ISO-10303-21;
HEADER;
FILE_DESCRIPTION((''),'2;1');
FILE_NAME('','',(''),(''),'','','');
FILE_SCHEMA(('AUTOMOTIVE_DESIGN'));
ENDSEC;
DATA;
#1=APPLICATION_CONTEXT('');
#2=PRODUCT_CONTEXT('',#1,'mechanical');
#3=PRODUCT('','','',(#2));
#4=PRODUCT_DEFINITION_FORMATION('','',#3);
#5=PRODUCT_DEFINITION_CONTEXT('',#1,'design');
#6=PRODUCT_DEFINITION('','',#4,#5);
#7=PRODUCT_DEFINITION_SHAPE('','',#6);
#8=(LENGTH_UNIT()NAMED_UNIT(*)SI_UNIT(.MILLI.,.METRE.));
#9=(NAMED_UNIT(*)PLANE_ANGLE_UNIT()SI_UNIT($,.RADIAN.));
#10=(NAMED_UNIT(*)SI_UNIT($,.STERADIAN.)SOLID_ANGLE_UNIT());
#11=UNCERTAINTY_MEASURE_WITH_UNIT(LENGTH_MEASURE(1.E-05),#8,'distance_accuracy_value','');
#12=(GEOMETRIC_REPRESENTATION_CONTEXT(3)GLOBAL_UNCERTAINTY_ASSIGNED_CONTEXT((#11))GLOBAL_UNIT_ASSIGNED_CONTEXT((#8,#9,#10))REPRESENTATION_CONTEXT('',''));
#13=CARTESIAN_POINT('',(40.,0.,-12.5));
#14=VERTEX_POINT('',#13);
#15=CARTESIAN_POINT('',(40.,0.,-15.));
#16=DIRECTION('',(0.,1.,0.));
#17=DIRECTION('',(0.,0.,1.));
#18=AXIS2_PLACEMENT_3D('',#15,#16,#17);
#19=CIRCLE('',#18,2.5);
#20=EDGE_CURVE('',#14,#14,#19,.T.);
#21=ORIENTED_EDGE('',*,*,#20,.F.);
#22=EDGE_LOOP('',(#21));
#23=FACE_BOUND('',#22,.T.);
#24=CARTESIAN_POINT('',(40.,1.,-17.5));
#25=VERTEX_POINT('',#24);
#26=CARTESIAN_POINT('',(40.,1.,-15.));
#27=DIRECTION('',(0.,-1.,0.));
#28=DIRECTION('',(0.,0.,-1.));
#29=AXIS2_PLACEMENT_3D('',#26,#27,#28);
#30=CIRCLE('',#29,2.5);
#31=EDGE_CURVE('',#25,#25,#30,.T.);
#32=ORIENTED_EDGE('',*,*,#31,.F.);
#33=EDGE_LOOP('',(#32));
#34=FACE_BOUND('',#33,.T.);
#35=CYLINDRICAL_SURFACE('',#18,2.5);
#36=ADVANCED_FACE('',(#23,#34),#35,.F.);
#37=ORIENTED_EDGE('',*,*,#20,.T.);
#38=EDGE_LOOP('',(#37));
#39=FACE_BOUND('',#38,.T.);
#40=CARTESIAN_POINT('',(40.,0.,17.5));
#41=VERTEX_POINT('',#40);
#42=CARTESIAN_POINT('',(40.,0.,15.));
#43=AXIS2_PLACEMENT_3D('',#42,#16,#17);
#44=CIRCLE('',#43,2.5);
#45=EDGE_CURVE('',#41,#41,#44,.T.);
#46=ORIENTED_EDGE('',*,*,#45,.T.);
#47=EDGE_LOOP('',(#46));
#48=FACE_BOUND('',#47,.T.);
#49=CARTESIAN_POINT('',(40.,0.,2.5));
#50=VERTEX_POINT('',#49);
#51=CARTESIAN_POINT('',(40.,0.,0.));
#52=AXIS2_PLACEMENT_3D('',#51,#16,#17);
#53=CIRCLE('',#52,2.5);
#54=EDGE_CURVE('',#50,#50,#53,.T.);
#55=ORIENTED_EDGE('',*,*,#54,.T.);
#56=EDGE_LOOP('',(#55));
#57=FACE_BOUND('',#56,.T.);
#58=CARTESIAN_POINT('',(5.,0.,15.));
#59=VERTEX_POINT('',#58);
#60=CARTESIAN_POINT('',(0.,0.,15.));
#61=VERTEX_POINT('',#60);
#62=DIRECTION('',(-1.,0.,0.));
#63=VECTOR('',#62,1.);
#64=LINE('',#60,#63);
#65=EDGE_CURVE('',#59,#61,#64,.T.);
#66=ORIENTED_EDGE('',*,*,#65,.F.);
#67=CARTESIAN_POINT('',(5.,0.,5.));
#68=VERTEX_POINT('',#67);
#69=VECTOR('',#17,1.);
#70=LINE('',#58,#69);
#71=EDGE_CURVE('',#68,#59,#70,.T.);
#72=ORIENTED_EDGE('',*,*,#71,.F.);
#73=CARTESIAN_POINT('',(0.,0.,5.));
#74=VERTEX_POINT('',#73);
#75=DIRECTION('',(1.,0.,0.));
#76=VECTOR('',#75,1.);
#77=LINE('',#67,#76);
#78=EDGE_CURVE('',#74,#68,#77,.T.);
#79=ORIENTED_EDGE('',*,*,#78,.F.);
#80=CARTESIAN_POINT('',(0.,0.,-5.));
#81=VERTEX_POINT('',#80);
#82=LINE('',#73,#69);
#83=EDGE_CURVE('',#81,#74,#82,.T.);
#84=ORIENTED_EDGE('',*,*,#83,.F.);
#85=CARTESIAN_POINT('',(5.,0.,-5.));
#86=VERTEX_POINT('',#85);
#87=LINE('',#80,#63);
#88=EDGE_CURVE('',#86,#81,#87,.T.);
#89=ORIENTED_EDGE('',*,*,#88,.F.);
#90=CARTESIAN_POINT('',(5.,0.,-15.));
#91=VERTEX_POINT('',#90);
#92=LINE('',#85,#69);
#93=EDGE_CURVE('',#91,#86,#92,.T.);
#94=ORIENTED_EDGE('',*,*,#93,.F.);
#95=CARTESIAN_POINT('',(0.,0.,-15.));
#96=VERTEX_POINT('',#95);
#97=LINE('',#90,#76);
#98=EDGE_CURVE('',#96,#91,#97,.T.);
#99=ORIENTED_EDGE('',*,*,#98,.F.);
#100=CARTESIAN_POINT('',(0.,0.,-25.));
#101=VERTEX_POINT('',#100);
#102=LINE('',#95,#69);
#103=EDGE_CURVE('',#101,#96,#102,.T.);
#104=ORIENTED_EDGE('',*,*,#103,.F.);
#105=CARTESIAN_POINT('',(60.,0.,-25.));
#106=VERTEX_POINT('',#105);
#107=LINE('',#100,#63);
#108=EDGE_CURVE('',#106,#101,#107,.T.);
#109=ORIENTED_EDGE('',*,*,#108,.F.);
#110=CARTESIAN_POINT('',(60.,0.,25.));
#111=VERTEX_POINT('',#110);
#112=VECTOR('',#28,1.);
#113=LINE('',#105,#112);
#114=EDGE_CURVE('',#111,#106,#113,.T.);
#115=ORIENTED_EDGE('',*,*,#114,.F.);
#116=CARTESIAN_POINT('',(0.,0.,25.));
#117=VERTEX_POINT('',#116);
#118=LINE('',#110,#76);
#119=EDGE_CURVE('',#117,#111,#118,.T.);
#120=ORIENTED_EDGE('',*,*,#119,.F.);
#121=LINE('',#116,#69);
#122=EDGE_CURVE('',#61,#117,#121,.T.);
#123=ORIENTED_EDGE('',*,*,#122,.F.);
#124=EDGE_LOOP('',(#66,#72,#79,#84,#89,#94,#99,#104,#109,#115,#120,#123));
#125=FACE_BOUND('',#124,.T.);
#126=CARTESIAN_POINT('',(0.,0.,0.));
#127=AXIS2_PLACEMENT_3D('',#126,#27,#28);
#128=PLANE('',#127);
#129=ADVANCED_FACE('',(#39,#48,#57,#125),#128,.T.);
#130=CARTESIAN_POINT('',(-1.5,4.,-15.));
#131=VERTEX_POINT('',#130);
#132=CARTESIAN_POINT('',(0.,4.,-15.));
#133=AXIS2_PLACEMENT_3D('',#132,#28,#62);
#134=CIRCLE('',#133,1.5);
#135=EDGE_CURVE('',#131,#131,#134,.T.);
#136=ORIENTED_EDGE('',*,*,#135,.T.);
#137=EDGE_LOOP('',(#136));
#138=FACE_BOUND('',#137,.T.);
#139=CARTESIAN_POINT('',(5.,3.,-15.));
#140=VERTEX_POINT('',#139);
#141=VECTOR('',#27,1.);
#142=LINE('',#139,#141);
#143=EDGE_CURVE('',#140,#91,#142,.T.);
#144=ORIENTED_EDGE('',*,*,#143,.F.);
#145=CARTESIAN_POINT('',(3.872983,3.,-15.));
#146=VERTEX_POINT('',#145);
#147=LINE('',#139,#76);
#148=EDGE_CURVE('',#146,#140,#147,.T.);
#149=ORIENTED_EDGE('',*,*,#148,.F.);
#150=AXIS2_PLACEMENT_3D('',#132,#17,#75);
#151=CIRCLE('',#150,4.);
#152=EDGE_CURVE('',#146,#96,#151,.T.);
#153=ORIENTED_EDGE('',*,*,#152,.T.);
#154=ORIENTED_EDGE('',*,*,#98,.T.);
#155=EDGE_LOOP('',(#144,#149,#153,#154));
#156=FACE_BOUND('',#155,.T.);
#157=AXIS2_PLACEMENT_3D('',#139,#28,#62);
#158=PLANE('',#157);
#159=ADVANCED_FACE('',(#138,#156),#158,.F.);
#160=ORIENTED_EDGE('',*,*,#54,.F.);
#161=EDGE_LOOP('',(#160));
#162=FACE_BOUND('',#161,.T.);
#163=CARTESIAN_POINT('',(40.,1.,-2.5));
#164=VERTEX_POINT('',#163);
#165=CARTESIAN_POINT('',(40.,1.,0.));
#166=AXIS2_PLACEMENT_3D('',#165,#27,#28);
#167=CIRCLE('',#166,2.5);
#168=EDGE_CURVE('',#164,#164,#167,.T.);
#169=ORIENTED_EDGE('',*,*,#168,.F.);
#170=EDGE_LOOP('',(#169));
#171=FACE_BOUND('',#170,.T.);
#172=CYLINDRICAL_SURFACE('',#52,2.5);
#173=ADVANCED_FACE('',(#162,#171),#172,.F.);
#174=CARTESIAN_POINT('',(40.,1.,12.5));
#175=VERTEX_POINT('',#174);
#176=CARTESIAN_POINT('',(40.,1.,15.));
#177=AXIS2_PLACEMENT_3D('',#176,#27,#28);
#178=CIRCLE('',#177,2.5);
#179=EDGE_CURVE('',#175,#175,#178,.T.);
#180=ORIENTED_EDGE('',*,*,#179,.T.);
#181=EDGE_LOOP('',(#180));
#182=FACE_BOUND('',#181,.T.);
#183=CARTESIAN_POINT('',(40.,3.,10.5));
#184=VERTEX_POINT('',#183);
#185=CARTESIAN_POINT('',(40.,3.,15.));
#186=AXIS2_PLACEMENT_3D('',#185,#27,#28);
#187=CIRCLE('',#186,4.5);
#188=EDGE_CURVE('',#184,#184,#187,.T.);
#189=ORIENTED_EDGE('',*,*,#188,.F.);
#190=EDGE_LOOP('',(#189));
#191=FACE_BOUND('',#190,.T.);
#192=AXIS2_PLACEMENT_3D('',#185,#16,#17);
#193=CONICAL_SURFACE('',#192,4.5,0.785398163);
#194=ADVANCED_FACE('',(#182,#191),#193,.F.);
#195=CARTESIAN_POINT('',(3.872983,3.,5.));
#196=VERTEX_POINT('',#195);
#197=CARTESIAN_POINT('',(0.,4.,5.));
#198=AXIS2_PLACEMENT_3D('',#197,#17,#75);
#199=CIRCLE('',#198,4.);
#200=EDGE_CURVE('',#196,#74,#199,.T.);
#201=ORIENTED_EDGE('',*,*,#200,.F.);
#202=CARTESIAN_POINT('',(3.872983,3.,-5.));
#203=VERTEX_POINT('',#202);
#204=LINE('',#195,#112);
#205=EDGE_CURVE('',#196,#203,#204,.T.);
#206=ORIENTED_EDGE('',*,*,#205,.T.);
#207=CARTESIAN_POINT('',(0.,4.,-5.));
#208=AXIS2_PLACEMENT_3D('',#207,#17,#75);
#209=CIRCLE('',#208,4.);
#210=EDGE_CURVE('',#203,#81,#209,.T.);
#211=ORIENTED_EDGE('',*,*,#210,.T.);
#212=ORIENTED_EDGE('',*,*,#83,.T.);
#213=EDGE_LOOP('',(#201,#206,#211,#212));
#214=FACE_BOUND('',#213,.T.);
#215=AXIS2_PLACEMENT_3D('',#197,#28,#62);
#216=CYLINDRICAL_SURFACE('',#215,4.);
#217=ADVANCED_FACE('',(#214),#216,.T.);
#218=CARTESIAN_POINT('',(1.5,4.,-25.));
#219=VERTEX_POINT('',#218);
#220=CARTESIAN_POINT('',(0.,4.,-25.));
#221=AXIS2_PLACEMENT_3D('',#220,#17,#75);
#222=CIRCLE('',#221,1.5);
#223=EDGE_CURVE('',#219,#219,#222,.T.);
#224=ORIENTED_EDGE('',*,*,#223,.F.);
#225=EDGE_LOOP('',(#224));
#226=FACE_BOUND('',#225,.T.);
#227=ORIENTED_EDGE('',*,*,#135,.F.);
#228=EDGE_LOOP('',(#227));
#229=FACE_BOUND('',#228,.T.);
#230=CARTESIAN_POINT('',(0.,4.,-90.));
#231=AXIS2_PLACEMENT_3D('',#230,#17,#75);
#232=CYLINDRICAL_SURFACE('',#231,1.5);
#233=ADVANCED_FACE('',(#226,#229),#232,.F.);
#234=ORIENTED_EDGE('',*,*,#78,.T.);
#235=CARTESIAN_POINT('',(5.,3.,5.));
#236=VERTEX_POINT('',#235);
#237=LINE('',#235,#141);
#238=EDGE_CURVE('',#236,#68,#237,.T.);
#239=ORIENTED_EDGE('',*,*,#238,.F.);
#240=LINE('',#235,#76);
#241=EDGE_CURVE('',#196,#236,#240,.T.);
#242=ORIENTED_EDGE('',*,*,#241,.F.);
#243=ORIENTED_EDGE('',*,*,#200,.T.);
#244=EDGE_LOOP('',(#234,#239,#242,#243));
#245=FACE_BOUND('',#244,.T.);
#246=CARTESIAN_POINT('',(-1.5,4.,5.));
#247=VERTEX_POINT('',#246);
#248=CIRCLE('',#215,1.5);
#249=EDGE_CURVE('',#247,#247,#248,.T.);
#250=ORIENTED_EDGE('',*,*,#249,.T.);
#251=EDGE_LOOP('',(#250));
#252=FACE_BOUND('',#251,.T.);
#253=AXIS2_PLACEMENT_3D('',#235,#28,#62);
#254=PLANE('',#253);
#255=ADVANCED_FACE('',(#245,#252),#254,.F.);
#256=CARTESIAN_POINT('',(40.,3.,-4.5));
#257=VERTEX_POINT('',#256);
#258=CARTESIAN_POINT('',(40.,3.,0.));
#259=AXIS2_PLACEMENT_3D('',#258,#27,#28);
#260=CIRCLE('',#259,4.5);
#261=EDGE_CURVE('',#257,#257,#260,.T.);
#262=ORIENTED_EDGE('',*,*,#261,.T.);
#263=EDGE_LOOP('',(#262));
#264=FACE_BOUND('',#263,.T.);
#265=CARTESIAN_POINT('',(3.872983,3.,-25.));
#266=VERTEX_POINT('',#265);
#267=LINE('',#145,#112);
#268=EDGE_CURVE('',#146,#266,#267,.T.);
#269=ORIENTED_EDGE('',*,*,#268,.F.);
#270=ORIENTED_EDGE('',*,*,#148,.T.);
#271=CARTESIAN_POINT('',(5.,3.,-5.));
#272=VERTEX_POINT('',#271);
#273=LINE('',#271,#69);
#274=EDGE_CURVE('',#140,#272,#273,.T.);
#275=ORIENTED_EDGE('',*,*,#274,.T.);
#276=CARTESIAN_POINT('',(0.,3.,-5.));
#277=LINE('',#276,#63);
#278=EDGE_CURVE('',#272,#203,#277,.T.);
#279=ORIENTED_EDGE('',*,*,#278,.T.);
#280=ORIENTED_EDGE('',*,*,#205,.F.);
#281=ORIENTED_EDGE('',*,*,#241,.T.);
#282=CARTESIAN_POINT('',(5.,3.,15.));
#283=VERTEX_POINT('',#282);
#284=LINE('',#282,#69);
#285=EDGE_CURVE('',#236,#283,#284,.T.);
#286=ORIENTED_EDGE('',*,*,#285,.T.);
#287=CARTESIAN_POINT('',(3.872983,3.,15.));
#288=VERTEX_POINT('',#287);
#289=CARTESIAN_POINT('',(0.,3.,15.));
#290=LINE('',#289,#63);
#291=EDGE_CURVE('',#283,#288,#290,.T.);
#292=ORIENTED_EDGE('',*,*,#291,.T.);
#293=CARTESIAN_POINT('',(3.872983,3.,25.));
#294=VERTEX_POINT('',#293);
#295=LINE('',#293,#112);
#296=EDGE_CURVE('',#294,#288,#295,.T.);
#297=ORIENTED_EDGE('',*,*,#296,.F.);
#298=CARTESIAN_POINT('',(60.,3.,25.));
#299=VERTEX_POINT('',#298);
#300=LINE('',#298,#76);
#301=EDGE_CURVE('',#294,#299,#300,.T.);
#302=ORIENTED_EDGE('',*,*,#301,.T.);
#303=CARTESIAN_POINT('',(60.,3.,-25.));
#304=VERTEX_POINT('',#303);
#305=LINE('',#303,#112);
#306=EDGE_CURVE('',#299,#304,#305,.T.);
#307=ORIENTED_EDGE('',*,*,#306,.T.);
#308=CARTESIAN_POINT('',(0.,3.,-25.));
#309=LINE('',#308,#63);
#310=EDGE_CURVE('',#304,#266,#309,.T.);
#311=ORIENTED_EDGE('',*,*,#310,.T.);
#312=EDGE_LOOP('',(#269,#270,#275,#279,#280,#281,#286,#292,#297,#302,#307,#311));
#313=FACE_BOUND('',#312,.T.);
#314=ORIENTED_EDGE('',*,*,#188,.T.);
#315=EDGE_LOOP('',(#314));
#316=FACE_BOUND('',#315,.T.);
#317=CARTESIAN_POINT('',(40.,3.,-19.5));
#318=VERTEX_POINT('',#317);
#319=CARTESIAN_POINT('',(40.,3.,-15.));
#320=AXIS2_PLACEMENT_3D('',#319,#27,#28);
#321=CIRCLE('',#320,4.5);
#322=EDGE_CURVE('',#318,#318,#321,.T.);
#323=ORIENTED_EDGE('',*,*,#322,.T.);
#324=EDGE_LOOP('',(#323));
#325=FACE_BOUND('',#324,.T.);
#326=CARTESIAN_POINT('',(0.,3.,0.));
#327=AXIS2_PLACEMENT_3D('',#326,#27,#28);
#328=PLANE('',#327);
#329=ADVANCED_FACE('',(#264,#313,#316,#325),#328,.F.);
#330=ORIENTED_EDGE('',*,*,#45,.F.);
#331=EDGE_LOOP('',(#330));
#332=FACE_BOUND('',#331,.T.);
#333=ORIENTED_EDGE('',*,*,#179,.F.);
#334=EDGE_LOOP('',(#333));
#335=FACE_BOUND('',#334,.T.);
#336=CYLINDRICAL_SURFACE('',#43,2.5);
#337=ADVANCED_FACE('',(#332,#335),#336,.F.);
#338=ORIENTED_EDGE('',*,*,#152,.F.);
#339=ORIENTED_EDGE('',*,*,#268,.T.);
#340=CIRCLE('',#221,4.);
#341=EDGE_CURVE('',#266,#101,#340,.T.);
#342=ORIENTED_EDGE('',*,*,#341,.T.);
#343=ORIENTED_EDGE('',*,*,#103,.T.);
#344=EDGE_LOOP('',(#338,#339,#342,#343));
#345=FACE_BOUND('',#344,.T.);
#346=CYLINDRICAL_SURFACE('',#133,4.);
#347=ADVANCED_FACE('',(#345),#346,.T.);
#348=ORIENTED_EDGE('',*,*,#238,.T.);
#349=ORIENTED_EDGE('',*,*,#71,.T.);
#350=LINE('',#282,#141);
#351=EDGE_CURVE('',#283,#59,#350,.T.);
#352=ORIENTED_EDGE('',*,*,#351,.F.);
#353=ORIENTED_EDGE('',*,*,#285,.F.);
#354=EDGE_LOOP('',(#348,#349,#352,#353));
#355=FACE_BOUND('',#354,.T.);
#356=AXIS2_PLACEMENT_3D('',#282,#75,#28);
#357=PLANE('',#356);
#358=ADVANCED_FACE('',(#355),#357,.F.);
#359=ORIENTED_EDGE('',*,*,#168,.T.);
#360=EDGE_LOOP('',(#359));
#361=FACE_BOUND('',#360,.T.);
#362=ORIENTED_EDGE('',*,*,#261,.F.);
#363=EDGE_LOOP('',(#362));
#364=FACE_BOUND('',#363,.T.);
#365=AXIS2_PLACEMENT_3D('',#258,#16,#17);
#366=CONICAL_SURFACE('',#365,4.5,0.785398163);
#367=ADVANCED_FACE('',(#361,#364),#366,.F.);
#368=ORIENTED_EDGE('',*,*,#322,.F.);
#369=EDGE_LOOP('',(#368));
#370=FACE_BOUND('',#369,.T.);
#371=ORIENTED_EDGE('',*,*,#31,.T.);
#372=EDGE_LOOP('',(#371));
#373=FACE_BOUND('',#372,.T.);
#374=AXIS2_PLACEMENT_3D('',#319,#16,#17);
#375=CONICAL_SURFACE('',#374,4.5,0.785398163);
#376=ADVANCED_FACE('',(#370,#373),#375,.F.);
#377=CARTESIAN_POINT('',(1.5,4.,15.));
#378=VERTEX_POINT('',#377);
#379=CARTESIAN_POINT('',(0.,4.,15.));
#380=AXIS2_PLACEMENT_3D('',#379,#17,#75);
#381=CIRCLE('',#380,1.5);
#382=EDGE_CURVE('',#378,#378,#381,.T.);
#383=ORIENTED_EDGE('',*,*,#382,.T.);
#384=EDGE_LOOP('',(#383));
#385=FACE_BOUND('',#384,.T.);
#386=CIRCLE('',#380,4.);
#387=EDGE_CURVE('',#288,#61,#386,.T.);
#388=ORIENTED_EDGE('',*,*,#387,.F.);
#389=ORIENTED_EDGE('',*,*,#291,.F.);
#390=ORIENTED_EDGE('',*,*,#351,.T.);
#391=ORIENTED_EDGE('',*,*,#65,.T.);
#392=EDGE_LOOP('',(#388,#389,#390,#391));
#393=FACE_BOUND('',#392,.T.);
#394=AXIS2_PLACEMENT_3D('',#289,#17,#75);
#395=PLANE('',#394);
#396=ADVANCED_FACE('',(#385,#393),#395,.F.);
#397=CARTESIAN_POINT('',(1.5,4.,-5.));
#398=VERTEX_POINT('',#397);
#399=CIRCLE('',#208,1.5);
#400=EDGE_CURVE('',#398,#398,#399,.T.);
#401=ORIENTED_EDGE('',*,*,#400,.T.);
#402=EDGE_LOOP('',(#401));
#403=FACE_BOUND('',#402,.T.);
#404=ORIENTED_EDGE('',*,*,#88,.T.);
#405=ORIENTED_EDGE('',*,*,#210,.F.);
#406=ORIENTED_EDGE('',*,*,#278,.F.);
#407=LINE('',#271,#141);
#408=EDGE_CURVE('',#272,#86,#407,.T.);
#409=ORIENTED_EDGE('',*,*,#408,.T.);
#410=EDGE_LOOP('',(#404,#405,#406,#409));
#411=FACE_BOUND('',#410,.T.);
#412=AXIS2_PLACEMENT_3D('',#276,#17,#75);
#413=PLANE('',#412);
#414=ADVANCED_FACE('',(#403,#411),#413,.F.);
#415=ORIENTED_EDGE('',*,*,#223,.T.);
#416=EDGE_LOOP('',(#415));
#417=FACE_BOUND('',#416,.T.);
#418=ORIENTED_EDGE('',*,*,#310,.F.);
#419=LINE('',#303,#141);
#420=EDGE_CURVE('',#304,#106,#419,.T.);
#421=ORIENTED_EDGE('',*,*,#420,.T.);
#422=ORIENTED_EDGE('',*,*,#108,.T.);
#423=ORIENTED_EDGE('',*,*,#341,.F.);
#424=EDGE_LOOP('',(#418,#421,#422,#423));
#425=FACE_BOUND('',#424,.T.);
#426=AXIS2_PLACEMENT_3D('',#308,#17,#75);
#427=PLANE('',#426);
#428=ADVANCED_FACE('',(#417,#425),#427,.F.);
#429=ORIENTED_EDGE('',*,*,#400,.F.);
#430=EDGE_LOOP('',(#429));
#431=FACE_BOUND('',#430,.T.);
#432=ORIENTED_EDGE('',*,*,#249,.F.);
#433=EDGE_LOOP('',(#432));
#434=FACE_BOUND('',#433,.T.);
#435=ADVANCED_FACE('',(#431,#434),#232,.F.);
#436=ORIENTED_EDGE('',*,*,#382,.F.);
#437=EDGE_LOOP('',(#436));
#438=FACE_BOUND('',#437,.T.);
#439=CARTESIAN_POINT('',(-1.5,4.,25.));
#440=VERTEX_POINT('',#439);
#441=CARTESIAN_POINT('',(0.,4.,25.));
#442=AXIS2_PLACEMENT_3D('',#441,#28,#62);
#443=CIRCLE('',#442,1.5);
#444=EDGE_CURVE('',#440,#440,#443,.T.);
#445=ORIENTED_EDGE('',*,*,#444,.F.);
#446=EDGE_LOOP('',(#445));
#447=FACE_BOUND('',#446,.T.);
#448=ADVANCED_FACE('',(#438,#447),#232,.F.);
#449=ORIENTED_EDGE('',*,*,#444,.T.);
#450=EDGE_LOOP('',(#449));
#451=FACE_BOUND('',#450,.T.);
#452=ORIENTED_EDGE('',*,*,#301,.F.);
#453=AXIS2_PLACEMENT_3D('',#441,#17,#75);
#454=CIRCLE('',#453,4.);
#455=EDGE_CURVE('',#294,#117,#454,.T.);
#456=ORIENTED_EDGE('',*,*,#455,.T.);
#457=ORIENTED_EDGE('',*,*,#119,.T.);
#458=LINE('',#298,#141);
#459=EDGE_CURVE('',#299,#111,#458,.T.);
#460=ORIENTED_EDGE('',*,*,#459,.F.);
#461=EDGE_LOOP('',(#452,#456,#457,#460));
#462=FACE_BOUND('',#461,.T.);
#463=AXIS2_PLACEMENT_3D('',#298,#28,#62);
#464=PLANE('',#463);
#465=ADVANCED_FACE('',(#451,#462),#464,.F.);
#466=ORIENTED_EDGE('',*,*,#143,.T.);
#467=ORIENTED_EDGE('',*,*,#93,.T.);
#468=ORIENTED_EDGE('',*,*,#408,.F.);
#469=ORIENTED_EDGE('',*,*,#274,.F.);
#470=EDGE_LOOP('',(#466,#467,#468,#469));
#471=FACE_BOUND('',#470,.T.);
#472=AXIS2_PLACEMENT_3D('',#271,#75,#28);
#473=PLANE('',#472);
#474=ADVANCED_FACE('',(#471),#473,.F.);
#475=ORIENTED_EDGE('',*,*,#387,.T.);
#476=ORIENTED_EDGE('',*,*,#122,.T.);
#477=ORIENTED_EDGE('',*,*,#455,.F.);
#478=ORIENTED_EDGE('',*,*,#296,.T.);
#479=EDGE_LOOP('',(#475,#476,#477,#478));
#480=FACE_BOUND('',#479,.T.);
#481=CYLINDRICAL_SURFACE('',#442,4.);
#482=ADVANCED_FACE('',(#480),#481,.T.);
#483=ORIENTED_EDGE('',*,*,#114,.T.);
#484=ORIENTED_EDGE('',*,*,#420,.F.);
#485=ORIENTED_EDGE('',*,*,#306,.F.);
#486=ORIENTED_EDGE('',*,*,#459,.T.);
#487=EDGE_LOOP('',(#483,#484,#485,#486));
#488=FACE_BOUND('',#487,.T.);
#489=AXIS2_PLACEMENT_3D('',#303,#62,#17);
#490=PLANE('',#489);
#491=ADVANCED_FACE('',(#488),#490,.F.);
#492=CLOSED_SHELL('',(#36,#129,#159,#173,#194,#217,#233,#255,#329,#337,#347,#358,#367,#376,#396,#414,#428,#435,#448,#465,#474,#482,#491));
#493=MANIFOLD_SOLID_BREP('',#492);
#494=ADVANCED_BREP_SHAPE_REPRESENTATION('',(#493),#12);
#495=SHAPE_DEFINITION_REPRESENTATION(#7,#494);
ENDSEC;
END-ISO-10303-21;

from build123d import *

# Parameters (mm, degrees)
EXTRUDE_1_DEPTH        = 3
SKETCH_2_R             = 4
EXTRUDE_2_DEPTH        = 10
PATTERN_LINEAR_1_COUNT = 3
PATTERN_LINEAR_1_PITCH = 20
SKETCH_3_R             = 1.5
CUT_EXTRUDE_1_DEPTH    = 65
SKETCH_4_R             = 2.5
CUT_EXTRUDE_2_DEPTH    = 66.192024052


with BuildPart() as part:
    # 草图1 → 凸台-拉伸1 (new body)
    with BuildSketch(Plane(origin=(0, 0, 0), x_dir=(1, 0, 0), z_dir=(0, 1, 0))):
        Polygon((0, 25), (60, 25), (60, -25), (0, -25), (0, -15), (5, -15), (5, -5), (0, -5), (0, 5), (5, 5), (5, 15), (0, 15), align=None)
    extrude(amount=EXTRUDE_1_DEPTH)

    # 草图2 → 凸台-拉伸2 (add)
    with BuildSketch(Plane.XY.offset(-25)):
        with Locations((0, 4)):
            Circle(SKETCH_2_R)
    extrude_2 = extrude(amount=EXTRUDE_2_DEPTH)

    # 阵列(线性)1: 凸台-拉伸2 ×3
    with Locations(*[(0, 0, i * PATTERN_LINEAR_1_PITCH) for i in range(1, PATTERN_LINEAR_1_COUNT)]):
        add(extrude_2)

    # 草图3 → 切除-拉伸1 (cut, symmetric)
    with BuildSketch(Plane.XY.offset(-25)):
        with Locations((0, 4)):
            Circle(SKETCH_3_R)
    extrude(amount=CUT_EXTRUDE_1_DEPTH, both=True, mode=Mode.SUBTRACT)

    # 草图4 → 切除-拉伸2 (cut, through all)
    with BuildSketch(Plane(origin=(0, 3, 0), x_dir=(1, 0, 0), z_dir=(0, 1, 0))):
        with Locations(Location((40, 15, 0), (0, 0, 270))):
            Circle(SKETCH_4_R)
        with Locations(Location((40, 0, 0), (0, 0, 270))):
            Circle(SKETCH_4_R)
        with Locations(Location((40, -15, 0), (0, 0, 270))):
            Circle(SKETCH_4_R)
    extrude(amount=-CUT_EXTRUDE_2_DEPTH, mode=Mode.SUBTRACT)

    # 草图10 → 切除-旋转1 (revolve, cut)
    with BuildSketch(Plane(origin=(40, 0, 0), x_dir=(0, 0, -1), z_dir=(1, 0, 0))):
        Polygon((12.5, 3), (10.5, 3), (12.5, 1), align=None)
    revolve(axis=Axis((40, 0, -15), (0, 1, 0)), mode=Mode.SUBTRACT)

    # 草图11 → 切除-旋转2 (revolve, cut)
    with BuildSketch(Plane(origin=(40, 0, 0), x_dir=(0, 0, -1), z_dir=(1, 0, 0))):
        Polygon((-2.5, 3), (-4.5, 3), (-2.5, 1), align=None)
    revolve(axis=Axis((40, 0, 0), (0, 1, 0)), mode=Mode.SUBTRACT)

    # 草图12 → 切除-旋转3 (revolve, cut)
    with BuildSketch(Plane(origin=(40, 0, 0), x_dir=(0, 0, -1), z_dir=(1, 0, 0))):
        Polygon((-17.5, 3), (-19.5, 3), (-17.5, 1), align=None)
    revolve(axis=Axis((40, 0, 15), (0, 1, 0)), mode=Mode.SUBTRACT)


solid = part.part
